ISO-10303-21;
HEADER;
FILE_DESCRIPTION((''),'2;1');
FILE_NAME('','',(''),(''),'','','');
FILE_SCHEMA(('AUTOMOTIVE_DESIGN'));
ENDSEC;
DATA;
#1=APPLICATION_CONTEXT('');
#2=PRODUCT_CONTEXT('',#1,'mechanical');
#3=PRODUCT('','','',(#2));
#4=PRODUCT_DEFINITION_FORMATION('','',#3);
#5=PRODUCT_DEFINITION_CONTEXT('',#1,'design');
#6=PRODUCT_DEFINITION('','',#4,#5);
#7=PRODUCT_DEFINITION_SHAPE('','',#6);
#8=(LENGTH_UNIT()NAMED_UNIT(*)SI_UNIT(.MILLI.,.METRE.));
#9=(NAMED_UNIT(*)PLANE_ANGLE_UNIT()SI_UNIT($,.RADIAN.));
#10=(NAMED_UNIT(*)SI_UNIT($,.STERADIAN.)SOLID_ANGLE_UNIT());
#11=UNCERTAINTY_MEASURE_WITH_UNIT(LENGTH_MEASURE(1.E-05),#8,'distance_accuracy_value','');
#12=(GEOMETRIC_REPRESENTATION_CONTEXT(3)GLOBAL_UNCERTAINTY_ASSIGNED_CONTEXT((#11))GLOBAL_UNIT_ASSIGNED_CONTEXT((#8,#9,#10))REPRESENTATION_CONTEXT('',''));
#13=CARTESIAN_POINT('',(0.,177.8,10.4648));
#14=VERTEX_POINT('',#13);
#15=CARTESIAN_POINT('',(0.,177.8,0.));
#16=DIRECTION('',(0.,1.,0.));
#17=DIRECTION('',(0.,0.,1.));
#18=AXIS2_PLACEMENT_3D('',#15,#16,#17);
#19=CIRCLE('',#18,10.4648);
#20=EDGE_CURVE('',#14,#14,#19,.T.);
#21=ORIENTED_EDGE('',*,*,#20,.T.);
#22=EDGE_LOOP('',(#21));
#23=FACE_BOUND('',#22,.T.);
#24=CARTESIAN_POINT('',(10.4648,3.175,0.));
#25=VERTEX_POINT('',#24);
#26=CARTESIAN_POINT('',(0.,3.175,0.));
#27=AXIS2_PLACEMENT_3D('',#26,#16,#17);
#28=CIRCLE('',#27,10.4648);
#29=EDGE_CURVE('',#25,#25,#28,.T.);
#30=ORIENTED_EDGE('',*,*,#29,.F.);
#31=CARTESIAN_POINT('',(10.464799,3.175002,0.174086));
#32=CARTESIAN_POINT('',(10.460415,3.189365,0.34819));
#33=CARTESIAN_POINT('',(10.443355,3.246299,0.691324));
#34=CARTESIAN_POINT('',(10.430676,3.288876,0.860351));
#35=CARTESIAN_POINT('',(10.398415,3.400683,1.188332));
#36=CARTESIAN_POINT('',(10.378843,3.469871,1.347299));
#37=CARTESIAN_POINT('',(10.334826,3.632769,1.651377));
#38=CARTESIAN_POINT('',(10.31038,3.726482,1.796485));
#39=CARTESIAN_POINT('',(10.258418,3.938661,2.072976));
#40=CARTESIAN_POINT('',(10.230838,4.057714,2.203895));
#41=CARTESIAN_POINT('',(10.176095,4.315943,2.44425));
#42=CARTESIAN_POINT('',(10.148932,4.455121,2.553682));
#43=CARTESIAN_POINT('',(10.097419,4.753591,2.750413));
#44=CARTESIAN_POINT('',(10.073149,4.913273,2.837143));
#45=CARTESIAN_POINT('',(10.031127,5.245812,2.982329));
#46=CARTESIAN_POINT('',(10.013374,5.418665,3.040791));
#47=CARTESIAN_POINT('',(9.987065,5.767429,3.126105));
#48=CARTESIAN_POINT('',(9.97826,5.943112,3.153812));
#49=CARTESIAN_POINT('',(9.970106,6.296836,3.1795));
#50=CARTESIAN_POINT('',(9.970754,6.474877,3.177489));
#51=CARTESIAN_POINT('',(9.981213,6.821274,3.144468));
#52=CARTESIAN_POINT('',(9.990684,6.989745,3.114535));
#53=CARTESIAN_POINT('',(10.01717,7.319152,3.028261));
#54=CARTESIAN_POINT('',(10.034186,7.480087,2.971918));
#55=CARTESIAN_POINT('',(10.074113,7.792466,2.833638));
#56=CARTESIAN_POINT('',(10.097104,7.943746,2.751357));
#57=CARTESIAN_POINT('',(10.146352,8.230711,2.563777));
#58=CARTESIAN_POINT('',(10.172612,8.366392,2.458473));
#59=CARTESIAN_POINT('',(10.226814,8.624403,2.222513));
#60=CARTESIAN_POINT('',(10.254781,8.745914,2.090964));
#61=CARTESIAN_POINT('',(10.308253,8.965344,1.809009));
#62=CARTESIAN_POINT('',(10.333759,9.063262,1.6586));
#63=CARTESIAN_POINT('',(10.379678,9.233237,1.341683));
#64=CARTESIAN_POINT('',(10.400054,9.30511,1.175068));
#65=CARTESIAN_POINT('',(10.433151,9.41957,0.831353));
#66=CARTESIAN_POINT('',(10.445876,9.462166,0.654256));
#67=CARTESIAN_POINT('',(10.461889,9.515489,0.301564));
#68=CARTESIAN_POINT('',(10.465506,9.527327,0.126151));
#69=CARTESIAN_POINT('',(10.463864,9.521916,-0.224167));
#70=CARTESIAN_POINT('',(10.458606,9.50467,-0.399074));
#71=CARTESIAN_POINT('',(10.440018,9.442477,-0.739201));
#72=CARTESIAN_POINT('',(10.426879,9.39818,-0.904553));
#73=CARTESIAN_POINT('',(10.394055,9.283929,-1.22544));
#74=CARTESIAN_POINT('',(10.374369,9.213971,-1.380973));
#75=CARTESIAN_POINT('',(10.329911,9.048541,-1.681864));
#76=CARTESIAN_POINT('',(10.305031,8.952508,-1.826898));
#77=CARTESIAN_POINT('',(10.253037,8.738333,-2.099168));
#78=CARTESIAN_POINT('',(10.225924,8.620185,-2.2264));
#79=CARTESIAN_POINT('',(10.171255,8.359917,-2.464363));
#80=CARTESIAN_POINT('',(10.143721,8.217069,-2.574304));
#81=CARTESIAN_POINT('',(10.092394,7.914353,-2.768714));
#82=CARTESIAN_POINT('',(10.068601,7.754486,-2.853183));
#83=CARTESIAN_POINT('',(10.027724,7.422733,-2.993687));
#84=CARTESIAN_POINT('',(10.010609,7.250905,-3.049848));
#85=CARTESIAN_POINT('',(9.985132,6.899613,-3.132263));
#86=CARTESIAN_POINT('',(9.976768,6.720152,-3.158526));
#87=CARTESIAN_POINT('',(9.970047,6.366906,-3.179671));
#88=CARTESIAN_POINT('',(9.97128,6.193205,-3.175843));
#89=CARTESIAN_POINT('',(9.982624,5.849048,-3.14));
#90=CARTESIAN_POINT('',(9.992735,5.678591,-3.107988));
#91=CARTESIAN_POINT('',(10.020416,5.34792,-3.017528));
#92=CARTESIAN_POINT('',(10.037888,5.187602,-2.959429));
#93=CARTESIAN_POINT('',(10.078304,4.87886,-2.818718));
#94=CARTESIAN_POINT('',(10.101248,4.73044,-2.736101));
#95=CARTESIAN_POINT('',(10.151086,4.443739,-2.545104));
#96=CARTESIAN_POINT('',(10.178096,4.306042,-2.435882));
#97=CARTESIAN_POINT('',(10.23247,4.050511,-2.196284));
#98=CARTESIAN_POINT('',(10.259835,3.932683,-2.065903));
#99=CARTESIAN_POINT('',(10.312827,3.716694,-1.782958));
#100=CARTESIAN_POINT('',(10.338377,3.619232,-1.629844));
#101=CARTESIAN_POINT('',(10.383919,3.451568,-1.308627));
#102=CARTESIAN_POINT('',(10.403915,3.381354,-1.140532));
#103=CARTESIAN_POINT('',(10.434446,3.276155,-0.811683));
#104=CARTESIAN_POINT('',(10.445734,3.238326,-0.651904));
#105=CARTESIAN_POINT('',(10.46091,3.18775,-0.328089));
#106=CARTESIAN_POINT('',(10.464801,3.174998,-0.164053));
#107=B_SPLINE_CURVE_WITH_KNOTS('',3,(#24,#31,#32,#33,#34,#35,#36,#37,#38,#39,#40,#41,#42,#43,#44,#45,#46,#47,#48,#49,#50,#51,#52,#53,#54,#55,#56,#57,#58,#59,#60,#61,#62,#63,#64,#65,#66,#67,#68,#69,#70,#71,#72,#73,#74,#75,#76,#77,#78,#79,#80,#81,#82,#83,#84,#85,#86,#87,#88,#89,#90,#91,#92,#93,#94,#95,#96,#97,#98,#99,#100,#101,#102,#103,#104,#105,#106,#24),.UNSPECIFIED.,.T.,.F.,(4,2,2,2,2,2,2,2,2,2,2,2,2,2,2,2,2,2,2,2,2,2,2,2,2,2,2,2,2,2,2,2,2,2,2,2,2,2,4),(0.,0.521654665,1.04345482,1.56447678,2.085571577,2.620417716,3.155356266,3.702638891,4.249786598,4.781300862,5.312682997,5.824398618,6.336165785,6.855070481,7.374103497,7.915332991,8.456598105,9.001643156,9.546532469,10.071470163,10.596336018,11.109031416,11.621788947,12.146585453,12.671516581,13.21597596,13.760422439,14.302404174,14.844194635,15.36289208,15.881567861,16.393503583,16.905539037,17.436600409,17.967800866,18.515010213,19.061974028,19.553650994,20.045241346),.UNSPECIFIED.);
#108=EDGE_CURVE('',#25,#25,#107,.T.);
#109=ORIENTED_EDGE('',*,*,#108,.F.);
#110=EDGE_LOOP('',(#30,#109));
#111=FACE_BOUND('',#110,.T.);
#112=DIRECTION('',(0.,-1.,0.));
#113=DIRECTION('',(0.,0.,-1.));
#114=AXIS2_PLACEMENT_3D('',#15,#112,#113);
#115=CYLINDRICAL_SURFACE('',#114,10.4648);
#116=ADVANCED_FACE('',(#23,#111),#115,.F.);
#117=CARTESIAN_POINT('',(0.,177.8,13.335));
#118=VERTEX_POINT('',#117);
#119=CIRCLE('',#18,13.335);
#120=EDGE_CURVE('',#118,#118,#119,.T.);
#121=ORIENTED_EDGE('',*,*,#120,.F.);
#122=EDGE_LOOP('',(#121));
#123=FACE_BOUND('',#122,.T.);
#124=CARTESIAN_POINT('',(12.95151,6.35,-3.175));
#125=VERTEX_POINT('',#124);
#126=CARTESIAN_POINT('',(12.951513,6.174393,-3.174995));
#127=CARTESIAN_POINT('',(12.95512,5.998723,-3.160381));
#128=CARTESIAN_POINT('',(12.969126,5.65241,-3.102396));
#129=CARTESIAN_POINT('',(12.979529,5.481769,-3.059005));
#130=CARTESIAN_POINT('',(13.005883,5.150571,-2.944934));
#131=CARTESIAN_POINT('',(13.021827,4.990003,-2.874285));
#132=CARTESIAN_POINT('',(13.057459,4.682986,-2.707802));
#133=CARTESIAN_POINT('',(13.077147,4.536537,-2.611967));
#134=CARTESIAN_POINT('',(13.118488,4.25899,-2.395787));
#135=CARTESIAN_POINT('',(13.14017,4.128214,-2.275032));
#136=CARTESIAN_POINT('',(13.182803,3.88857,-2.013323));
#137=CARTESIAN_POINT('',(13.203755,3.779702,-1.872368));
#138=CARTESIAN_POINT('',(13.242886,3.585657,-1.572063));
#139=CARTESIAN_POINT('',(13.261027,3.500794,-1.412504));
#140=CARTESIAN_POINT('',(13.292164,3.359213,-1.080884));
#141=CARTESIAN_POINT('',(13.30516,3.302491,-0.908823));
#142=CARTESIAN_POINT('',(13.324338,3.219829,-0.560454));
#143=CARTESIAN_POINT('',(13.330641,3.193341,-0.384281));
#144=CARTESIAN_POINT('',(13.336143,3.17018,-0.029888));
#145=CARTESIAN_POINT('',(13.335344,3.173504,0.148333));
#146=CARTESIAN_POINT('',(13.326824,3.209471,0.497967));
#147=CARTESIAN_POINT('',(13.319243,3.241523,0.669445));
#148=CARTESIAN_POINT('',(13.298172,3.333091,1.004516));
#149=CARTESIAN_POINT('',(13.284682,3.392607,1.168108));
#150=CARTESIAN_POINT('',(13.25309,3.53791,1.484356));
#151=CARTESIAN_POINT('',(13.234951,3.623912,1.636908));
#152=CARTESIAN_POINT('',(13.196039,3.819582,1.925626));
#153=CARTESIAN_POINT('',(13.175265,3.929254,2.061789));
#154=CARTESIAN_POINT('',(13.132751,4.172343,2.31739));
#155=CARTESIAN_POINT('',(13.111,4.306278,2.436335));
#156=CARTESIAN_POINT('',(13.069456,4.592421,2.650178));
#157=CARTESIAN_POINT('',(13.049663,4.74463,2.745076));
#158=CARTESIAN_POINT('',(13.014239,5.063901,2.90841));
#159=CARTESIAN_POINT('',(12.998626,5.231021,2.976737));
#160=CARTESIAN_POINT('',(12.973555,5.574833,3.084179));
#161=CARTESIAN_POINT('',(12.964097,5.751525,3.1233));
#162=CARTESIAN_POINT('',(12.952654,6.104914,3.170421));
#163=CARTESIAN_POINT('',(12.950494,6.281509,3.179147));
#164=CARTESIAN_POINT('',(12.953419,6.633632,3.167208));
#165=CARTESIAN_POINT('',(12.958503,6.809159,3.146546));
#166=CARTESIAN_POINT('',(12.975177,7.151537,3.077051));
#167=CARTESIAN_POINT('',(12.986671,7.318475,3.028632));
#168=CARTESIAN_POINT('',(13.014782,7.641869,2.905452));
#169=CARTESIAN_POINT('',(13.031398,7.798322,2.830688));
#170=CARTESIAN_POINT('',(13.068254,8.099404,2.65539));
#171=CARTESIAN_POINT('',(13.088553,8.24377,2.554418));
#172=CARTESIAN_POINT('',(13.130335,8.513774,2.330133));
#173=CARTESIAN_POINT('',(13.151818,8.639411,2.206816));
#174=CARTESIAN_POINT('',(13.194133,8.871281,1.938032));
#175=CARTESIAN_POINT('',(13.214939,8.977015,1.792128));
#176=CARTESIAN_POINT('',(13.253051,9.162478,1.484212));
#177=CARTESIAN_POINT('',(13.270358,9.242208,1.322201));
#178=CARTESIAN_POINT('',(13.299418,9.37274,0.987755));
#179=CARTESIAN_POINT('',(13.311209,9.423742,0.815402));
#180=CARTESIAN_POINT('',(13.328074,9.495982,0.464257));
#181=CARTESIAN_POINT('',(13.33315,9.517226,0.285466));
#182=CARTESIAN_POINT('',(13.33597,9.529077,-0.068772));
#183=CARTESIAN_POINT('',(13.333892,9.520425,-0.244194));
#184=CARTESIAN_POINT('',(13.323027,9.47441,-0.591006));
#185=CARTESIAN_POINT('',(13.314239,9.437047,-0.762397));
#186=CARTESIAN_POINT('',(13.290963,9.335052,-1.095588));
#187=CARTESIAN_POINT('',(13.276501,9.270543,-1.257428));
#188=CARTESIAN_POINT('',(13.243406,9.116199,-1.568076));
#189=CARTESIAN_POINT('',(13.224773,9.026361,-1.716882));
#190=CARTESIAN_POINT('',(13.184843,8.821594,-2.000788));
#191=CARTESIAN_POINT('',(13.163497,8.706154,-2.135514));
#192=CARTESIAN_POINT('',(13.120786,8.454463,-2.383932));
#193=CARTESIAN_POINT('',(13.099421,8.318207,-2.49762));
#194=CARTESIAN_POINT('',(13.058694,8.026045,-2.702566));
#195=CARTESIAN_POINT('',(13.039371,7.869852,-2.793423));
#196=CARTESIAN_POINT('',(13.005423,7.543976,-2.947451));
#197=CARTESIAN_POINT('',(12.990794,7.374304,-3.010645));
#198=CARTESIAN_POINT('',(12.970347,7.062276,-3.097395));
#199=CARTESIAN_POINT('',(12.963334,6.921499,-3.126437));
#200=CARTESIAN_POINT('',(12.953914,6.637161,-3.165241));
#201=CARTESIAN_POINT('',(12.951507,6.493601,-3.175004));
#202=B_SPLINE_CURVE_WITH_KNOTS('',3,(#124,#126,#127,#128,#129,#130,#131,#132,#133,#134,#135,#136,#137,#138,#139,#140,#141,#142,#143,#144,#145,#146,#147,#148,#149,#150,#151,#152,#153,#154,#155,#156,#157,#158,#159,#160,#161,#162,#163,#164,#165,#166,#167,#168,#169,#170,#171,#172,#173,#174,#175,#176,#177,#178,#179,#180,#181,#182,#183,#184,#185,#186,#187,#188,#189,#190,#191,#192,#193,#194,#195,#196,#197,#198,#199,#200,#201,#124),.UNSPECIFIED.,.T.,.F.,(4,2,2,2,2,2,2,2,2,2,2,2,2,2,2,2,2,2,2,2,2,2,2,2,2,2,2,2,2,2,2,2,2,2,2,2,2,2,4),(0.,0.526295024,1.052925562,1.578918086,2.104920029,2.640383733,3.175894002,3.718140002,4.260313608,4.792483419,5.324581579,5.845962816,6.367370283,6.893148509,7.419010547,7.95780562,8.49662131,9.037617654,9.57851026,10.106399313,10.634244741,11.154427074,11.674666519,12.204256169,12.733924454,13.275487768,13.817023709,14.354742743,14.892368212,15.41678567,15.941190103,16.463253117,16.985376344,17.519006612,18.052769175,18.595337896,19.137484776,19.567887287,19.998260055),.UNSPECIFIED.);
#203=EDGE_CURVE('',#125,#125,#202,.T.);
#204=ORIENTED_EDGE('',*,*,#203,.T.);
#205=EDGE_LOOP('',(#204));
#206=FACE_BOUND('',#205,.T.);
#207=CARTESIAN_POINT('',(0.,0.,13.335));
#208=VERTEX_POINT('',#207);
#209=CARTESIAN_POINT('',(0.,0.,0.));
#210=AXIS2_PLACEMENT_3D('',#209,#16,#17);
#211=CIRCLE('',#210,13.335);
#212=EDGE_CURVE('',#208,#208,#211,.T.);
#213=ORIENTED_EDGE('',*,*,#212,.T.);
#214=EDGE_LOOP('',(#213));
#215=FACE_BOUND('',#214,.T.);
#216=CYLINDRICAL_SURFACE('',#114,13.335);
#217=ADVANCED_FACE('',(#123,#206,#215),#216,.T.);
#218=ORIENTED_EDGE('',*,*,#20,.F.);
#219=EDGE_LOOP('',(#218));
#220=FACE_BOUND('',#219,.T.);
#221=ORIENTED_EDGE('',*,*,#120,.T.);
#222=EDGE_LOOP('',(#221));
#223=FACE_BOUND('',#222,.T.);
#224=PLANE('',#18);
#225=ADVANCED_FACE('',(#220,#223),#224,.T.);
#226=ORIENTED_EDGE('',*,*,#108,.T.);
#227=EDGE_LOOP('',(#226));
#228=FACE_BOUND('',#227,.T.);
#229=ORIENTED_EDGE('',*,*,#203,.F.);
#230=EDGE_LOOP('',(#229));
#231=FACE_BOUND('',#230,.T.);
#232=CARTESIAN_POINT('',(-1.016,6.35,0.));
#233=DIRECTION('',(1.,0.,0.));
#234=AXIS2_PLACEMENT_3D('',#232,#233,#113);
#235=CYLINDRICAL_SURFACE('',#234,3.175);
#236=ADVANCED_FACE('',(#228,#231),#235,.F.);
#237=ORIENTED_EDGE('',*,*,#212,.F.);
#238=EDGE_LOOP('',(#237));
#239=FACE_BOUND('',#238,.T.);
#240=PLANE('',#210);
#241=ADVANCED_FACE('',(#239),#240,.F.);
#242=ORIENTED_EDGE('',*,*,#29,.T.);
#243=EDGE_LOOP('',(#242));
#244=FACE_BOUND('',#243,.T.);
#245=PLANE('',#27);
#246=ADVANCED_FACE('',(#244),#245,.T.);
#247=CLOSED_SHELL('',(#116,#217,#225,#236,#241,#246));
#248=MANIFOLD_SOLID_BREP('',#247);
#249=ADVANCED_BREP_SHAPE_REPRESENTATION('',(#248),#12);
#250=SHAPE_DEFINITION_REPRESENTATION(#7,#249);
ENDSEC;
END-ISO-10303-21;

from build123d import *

# Parameters (mm, degrees)
SKETCH1_R           = 13.335
SKETCH1_R_2         = 10.4648
BOSS_EXTRUDE1_DEPTH = 177.8
SKETCH1_2_R         = 10.4648
BOSS_EXTRUDE2_DEPTH = 3.175
SKETCH3_R           = 3.175
CUT_EXTRUDE1_DEPTH  = 14.351


with BuildPart() as part:
    # Sketch1 → Boss-Extrude1 (new body)
    with BuildSketch(Plane(origin=(0, 0, 0), x_dir=(1, 0, 0), z_dir=(0, 1, 0))):
        Circle(SKETCH1_R)
        Circle(SKETCH1_R_2, mode=Mode.SUBTRACT)
    extrude(amount=BOSS_EXTRUDE1_DEPTH)

    # Sketch1<2> → Boss-Extrude2 (add)
    with BuildSketch(Plane(origin=(0, 0, 0), x_dir=(1, 0, 0), z_dir=(0, 1, 0))):
        Circle(SKETCH1_2_R)
    extrude(amount=BOSS_EXTRUDE2_DEPTH)

    # Sketch3 → Cut-Extrude1 (cut)
    with BuildSketch(Plane(origin=(13.335, 0, 0), x_dir=(0, 0, -1), z_dir=(1, 0, 0))):
        with Locations((0, 6.35)):
            Circle(SKETCH3_R)
    extrude(amount=-CUT_EXTRUDE1_DEPTH, mode=Mode.SUBTRACT)


solid = part.part
